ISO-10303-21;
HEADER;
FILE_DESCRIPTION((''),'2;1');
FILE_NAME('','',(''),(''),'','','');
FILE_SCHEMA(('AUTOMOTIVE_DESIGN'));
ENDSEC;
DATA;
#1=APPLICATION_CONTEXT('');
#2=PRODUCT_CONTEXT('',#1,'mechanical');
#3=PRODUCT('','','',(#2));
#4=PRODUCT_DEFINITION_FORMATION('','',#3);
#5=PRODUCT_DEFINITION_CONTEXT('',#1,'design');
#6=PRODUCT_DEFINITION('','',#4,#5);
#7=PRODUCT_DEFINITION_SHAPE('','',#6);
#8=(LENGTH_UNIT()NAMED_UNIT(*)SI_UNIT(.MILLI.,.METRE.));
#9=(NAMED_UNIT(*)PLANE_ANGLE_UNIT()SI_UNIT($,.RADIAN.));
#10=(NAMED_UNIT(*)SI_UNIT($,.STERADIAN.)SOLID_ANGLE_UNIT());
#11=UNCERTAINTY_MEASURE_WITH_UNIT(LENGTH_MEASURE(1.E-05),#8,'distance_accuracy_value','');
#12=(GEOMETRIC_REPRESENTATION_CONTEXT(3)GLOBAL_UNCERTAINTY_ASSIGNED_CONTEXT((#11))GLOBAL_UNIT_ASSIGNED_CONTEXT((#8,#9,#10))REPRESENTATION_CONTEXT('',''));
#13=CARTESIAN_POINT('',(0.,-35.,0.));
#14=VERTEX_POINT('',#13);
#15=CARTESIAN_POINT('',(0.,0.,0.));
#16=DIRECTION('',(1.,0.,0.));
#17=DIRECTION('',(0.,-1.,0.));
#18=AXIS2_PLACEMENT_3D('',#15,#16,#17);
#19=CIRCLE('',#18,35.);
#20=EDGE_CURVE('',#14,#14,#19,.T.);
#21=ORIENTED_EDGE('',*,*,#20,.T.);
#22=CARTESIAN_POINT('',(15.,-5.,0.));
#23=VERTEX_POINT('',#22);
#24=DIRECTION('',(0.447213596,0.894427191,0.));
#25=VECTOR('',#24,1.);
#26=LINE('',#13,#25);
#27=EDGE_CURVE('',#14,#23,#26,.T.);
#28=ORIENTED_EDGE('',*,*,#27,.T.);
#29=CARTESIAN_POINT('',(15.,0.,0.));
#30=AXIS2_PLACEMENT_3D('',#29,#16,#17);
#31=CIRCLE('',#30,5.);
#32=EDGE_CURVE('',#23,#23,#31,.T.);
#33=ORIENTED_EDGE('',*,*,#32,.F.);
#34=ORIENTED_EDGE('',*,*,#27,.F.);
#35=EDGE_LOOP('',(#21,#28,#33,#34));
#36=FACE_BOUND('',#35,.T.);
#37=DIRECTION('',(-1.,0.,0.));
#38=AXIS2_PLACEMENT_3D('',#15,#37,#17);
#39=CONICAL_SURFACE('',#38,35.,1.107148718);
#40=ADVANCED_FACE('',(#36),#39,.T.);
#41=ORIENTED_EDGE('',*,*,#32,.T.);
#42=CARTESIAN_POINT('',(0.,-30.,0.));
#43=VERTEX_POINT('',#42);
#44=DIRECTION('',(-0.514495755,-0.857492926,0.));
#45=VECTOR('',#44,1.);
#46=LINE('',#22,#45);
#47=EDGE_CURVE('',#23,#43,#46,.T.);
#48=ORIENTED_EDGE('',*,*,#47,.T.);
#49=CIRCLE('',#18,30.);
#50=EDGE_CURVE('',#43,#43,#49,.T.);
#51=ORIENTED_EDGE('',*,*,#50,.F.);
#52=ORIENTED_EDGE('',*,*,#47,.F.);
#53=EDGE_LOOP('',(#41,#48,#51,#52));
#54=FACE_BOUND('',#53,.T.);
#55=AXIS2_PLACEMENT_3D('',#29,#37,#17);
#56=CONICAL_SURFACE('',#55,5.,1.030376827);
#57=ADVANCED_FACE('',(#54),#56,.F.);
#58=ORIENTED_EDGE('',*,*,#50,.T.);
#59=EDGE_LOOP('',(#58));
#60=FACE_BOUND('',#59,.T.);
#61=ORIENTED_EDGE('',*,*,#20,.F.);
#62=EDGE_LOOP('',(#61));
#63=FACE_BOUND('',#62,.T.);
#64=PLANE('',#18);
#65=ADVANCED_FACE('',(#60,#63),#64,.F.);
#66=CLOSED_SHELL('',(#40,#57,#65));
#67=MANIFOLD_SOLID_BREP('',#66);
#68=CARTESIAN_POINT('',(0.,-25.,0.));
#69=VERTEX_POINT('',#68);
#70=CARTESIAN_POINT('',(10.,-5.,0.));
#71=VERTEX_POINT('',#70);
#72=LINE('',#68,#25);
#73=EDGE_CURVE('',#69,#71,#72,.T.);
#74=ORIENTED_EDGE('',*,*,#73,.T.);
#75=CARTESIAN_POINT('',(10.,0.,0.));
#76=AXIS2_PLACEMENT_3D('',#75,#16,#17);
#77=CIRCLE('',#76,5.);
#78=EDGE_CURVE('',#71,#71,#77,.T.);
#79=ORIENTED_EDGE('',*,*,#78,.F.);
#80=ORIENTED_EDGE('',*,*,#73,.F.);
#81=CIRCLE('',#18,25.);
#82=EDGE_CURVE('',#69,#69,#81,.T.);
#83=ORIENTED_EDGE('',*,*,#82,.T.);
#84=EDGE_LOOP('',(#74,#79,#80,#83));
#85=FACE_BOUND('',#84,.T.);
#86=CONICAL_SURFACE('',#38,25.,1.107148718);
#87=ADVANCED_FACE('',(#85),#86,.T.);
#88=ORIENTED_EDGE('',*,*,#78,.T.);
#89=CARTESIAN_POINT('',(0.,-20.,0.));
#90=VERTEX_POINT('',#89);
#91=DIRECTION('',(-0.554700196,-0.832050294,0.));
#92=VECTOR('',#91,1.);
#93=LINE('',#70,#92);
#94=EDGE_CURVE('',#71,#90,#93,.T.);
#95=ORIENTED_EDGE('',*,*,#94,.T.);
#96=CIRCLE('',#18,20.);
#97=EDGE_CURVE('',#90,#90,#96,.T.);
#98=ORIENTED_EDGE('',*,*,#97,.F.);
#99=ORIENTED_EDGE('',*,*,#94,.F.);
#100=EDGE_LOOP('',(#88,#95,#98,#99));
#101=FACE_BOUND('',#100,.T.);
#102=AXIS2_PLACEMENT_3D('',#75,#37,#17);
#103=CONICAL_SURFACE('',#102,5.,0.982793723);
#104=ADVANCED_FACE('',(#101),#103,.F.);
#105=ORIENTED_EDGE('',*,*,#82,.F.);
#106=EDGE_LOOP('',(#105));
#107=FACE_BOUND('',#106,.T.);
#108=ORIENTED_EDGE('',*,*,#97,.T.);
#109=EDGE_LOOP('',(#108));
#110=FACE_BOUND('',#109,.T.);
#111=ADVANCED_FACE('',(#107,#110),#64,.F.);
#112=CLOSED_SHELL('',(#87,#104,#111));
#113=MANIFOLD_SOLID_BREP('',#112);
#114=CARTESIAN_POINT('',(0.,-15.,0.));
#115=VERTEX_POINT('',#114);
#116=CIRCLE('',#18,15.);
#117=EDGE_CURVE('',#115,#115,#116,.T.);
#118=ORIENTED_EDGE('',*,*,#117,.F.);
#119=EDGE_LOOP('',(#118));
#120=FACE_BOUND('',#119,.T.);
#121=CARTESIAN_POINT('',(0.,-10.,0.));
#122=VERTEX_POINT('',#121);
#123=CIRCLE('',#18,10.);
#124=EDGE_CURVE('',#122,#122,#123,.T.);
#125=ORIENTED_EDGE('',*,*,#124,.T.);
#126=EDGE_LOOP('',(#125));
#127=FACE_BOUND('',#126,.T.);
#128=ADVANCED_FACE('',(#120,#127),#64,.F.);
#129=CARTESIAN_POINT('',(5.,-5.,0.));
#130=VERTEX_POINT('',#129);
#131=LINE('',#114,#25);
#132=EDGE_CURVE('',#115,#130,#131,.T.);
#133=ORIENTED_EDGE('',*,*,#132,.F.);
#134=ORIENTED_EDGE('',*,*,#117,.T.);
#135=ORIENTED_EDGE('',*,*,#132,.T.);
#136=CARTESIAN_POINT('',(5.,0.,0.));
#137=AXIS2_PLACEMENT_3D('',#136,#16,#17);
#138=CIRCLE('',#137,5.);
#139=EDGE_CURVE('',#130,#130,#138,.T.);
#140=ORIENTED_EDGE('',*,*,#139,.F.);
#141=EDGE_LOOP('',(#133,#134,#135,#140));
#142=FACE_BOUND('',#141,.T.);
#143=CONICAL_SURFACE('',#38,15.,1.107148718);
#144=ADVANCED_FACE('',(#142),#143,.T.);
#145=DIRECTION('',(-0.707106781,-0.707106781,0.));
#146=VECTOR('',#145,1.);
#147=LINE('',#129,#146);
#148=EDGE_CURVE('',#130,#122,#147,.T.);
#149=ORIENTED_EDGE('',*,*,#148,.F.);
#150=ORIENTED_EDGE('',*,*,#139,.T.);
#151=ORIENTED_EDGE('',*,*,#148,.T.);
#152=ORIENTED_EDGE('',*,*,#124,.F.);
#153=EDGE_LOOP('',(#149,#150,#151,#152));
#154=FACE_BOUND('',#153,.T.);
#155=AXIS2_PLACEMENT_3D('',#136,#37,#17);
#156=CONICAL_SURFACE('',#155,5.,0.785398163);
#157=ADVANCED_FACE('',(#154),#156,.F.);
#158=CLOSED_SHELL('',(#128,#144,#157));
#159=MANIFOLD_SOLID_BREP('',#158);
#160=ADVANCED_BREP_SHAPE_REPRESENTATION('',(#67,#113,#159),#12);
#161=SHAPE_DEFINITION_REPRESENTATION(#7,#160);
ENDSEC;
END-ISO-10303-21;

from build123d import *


with BuildPart() as f1:
    # F0 (on Top) → F1 (revolve)
    with BuildSketch(Plane.XY):
        Polygon((0, -15), (5, -5), (0, -10), align=None)
        Polygon((10, -5), (0, -20), (0, -25), align=None)
        Polygon((15, -5), (0, -30), (0, -35), align=None)
    revolve(axis=Axis((-1.726805, 0, 0), (1, 0, 0)))


solid = f1.part
